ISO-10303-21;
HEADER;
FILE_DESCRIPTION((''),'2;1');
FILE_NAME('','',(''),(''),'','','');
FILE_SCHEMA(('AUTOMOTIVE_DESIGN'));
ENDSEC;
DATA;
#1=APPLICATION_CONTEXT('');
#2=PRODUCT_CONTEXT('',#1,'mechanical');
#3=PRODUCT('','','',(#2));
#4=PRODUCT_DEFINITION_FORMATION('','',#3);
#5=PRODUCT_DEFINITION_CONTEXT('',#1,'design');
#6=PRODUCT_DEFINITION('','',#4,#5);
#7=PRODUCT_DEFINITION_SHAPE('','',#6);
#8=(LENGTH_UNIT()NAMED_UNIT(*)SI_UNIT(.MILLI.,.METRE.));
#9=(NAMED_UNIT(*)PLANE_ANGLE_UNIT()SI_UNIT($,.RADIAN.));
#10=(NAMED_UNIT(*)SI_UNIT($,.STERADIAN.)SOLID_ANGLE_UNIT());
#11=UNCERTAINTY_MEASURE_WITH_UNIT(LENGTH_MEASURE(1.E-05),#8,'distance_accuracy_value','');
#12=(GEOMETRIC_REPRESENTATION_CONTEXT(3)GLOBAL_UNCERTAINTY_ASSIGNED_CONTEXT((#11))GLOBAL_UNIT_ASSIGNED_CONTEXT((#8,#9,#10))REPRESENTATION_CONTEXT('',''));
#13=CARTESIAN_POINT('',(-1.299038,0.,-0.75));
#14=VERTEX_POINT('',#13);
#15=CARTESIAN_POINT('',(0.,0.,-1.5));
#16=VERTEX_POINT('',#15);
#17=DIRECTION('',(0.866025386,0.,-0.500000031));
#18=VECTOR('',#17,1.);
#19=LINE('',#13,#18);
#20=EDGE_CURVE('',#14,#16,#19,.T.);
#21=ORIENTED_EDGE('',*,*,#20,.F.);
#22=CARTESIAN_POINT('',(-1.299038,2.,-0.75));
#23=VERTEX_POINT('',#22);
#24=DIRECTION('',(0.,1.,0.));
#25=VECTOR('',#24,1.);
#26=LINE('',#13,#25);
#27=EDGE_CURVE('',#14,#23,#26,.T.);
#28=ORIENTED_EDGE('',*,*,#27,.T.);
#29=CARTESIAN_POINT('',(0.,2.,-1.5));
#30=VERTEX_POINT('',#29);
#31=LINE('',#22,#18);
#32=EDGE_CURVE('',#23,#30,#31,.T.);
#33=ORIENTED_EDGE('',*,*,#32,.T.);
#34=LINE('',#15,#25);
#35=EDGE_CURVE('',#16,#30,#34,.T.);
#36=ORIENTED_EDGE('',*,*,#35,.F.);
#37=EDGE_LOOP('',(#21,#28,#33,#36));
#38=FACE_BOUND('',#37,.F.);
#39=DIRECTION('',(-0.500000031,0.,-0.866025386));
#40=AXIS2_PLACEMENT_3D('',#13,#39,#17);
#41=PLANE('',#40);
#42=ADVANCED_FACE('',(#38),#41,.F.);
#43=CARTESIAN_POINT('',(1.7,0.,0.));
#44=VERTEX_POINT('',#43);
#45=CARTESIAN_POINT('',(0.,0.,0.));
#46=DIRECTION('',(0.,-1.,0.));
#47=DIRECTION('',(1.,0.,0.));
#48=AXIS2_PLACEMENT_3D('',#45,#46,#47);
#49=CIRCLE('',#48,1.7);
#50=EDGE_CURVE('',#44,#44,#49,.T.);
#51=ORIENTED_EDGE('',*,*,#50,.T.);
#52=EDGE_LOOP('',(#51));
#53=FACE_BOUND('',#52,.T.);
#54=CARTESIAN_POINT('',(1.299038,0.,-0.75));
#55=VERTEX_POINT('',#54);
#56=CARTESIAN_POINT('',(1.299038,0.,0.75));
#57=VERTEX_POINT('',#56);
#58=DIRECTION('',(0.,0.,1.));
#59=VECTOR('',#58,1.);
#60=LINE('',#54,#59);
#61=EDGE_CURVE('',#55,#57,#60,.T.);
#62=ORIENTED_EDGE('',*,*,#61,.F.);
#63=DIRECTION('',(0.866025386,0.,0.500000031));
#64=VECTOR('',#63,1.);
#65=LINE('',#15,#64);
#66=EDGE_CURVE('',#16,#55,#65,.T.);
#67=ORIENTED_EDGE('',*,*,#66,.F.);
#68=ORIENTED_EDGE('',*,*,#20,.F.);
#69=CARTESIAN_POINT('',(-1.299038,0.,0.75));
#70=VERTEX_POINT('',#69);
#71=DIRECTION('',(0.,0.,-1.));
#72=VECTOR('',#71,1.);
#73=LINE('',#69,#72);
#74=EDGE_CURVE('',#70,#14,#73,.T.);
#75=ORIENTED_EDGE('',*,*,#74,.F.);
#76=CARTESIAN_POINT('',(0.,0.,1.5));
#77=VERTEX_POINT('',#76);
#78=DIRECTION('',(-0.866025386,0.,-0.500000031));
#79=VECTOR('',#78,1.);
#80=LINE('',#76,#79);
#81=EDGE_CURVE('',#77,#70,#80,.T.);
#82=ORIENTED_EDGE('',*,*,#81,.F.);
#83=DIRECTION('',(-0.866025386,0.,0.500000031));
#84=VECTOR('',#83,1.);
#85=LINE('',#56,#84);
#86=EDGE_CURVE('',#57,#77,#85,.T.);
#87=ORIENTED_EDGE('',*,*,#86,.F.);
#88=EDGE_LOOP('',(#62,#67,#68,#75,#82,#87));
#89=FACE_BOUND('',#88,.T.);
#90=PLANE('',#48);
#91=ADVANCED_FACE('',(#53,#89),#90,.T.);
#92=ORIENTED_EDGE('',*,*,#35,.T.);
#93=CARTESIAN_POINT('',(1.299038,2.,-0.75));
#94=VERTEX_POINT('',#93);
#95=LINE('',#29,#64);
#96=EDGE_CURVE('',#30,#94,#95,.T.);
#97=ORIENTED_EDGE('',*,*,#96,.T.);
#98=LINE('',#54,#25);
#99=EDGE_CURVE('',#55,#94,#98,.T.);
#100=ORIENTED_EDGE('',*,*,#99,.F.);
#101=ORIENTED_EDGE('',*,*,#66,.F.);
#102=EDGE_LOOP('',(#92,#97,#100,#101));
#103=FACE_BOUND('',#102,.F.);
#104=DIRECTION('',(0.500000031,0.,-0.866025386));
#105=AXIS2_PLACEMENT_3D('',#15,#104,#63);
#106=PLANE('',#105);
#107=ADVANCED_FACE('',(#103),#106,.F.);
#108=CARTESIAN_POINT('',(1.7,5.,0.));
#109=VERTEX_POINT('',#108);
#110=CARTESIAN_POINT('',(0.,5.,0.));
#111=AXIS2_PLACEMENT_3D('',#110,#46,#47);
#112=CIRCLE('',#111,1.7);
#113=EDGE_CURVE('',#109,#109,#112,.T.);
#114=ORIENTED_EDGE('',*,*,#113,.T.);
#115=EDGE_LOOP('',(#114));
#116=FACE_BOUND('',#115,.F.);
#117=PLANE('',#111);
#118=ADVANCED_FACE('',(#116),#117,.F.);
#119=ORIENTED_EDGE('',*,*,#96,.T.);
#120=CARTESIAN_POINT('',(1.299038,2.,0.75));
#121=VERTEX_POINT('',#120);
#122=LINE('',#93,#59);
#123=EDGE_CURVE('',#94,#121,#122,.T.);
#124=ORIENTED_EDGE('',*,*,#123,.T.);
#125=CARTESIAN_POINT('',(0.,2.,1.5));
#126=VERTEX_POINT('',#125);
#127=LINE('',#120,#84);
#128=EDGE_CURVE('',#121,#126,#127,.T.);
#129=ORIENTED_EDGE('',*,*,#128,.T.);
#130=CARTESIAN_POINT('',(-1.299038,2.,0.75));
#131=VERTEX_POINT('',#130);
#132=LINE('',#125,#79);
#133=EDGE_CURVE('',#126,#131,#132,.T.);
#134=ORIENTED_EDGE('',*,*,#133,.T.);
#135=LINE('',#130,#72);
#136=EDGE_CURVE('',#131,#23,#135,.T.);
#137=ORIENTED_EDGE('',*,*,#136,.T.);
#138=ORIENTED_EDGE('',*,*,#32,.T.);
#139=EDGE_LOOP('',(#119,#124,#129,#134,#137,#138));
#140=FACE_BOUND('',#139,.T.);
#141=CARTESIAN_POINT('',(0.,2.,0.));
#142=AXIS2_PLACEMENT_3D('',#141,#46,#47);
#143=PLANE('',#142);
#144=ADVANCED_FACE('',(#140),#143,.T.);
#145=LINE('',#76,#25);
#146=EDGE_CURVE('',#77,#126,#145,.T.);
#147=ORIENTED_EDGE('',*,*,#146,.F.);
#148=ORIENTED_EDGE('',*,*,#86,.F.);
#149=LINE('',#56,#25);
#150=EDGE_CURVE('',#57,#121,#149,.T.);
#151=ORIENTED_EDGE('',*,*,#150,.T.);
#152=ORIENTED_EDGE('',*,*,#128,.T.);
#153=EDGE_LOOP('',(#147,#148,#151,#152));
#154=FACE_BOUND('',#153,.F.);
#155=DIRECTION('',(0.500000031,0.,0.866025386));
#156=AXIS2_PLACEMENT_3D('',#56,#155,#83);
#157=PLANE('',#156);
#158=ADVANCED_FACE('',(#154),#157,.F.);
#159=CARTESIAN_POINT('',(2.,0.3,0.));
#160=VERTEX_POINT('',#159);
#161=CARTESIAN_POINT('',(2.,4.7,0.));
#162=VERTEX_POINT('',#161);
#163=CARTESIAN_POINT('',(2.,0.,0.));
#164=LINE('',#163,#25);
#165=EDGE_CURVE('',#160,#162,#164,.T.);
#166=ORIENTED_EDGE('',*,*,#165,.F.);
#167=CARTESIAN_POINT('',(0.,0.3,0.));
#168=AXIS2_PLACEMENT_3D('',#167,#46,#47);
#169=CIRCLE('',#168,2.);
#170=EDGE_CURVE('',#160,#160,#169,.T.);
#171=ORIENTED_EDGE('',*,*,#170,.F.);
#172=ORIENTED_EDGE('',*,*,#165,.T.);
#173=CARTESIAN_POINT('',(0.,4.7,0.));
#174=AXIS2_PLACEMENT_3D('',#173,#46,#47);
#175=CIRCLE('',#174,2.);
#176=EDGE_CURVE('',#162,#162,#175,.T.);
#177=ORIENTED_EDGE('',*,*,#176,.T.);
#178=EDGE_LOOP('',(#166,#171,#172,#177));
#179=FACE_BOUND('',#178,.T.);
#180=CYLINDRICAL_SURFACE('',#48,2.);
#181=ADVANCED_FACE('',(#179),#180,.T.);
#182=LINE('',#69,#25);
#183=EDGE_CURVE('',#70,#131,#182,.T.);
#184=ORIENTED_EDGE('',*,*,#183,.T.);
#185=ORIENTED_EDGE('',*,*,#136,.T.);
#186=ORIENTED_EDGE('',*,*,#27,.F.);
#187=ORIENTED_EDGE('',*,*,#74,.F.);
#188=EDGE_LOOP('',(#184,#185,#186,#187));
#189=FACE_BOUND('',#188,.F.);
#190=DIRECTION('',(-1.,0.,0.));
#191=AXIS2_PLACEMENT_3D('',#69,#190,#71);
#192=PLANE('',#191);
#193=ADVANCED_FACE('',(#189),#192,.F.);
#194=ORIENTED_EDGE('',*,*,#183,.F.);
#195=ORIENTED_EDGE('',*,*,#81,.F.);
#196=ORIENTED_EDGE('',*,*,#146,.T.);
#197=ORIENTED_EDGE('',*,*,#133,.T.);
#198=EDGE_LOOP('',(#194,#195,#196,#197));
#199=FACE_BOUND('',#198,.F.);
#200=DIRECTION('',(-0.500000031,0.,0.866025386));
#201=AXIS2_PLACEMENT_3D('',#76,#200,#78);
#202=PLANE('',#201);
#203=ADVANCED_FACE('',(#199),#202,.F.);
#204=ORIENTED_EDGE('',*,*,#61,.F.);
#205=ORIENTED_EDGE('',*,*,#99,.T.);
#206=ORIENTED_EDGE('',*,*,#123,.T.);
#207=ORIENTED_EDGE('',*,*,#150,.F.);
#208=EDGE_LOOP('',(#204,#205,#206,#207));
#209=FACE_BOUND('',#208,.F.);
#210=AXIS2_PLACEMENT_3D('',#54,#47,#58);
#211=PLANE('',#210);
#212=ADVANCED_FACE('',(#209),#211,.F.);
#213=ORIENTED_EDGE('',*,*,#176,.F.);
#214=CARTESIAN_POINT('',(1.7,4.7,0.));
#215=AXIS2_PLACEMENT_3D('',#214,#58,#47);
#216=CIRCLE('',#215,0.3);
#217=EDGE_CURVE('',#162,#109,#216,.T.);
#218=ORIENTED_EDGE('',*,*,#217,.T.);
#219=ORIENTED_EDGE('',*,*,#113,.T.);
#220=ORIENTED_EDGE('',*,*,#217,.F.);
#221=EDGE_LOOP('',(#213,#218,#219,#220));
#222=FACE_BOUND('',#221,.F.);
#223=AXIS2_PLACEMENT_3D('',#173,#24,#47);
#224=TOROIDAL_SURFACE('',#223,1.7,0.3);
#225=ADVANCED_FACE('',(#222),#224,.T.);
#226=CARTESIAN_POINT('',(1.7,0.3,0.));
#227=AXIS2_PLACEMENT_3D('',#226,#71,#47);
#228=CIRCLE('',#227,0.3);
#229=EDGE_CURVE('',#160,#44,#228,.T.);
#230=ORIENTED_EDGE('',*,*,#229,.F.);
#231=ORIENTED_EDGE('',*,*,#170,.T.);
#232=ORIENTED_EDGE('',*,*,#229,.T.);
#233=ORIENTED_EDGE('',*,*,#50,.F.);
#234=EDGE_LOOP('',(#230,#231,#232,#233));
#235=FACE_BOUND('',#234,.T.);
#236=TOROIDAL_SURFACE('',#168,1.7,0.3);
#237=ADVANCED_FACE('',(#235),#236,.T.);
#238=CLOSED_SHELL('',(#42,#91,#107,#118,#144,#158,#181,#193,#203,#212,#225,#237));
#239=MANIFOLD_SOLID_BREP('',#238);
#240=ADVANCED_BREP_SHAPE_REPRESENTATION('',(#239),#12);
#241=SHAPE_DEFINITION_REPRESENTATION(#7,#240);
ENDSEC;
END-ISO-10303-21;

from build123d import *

# Parameters (mm, degrees)
F0_R     = 2
F1_DEPTH = 5
F3_DEPTH = 2
F4_R     = 0.3


with BuildPart() as f1:
    # F0 (on Front) → F1 (new body)
    with BuildSketch(Plane.XZ):
        Circle(F0_R)
    extrude(amount=-F1_DEPTH)

    # F2 (on face) → F3 (cut)
    with BuildSketch(Plane.XZ):
        Polygon((1.299038, 0.75), (0, 1.5), (-1.299038, 0.75), (-1.299038, -0.75), (0, -1.5), (1.299038, -0.75), align=None)
    extrude(amount=-F3_DEPTH, mode=Mode.SUBTRACT)

    # F4
    f4_edges = [f1.edges().sort_by_distance(p)[0] for p in [
        (-2, 0, 0),
        (-2, 5, 0),
    ]]
    fillet(f4_edges, radius=F4_R)


solid = f1.part
